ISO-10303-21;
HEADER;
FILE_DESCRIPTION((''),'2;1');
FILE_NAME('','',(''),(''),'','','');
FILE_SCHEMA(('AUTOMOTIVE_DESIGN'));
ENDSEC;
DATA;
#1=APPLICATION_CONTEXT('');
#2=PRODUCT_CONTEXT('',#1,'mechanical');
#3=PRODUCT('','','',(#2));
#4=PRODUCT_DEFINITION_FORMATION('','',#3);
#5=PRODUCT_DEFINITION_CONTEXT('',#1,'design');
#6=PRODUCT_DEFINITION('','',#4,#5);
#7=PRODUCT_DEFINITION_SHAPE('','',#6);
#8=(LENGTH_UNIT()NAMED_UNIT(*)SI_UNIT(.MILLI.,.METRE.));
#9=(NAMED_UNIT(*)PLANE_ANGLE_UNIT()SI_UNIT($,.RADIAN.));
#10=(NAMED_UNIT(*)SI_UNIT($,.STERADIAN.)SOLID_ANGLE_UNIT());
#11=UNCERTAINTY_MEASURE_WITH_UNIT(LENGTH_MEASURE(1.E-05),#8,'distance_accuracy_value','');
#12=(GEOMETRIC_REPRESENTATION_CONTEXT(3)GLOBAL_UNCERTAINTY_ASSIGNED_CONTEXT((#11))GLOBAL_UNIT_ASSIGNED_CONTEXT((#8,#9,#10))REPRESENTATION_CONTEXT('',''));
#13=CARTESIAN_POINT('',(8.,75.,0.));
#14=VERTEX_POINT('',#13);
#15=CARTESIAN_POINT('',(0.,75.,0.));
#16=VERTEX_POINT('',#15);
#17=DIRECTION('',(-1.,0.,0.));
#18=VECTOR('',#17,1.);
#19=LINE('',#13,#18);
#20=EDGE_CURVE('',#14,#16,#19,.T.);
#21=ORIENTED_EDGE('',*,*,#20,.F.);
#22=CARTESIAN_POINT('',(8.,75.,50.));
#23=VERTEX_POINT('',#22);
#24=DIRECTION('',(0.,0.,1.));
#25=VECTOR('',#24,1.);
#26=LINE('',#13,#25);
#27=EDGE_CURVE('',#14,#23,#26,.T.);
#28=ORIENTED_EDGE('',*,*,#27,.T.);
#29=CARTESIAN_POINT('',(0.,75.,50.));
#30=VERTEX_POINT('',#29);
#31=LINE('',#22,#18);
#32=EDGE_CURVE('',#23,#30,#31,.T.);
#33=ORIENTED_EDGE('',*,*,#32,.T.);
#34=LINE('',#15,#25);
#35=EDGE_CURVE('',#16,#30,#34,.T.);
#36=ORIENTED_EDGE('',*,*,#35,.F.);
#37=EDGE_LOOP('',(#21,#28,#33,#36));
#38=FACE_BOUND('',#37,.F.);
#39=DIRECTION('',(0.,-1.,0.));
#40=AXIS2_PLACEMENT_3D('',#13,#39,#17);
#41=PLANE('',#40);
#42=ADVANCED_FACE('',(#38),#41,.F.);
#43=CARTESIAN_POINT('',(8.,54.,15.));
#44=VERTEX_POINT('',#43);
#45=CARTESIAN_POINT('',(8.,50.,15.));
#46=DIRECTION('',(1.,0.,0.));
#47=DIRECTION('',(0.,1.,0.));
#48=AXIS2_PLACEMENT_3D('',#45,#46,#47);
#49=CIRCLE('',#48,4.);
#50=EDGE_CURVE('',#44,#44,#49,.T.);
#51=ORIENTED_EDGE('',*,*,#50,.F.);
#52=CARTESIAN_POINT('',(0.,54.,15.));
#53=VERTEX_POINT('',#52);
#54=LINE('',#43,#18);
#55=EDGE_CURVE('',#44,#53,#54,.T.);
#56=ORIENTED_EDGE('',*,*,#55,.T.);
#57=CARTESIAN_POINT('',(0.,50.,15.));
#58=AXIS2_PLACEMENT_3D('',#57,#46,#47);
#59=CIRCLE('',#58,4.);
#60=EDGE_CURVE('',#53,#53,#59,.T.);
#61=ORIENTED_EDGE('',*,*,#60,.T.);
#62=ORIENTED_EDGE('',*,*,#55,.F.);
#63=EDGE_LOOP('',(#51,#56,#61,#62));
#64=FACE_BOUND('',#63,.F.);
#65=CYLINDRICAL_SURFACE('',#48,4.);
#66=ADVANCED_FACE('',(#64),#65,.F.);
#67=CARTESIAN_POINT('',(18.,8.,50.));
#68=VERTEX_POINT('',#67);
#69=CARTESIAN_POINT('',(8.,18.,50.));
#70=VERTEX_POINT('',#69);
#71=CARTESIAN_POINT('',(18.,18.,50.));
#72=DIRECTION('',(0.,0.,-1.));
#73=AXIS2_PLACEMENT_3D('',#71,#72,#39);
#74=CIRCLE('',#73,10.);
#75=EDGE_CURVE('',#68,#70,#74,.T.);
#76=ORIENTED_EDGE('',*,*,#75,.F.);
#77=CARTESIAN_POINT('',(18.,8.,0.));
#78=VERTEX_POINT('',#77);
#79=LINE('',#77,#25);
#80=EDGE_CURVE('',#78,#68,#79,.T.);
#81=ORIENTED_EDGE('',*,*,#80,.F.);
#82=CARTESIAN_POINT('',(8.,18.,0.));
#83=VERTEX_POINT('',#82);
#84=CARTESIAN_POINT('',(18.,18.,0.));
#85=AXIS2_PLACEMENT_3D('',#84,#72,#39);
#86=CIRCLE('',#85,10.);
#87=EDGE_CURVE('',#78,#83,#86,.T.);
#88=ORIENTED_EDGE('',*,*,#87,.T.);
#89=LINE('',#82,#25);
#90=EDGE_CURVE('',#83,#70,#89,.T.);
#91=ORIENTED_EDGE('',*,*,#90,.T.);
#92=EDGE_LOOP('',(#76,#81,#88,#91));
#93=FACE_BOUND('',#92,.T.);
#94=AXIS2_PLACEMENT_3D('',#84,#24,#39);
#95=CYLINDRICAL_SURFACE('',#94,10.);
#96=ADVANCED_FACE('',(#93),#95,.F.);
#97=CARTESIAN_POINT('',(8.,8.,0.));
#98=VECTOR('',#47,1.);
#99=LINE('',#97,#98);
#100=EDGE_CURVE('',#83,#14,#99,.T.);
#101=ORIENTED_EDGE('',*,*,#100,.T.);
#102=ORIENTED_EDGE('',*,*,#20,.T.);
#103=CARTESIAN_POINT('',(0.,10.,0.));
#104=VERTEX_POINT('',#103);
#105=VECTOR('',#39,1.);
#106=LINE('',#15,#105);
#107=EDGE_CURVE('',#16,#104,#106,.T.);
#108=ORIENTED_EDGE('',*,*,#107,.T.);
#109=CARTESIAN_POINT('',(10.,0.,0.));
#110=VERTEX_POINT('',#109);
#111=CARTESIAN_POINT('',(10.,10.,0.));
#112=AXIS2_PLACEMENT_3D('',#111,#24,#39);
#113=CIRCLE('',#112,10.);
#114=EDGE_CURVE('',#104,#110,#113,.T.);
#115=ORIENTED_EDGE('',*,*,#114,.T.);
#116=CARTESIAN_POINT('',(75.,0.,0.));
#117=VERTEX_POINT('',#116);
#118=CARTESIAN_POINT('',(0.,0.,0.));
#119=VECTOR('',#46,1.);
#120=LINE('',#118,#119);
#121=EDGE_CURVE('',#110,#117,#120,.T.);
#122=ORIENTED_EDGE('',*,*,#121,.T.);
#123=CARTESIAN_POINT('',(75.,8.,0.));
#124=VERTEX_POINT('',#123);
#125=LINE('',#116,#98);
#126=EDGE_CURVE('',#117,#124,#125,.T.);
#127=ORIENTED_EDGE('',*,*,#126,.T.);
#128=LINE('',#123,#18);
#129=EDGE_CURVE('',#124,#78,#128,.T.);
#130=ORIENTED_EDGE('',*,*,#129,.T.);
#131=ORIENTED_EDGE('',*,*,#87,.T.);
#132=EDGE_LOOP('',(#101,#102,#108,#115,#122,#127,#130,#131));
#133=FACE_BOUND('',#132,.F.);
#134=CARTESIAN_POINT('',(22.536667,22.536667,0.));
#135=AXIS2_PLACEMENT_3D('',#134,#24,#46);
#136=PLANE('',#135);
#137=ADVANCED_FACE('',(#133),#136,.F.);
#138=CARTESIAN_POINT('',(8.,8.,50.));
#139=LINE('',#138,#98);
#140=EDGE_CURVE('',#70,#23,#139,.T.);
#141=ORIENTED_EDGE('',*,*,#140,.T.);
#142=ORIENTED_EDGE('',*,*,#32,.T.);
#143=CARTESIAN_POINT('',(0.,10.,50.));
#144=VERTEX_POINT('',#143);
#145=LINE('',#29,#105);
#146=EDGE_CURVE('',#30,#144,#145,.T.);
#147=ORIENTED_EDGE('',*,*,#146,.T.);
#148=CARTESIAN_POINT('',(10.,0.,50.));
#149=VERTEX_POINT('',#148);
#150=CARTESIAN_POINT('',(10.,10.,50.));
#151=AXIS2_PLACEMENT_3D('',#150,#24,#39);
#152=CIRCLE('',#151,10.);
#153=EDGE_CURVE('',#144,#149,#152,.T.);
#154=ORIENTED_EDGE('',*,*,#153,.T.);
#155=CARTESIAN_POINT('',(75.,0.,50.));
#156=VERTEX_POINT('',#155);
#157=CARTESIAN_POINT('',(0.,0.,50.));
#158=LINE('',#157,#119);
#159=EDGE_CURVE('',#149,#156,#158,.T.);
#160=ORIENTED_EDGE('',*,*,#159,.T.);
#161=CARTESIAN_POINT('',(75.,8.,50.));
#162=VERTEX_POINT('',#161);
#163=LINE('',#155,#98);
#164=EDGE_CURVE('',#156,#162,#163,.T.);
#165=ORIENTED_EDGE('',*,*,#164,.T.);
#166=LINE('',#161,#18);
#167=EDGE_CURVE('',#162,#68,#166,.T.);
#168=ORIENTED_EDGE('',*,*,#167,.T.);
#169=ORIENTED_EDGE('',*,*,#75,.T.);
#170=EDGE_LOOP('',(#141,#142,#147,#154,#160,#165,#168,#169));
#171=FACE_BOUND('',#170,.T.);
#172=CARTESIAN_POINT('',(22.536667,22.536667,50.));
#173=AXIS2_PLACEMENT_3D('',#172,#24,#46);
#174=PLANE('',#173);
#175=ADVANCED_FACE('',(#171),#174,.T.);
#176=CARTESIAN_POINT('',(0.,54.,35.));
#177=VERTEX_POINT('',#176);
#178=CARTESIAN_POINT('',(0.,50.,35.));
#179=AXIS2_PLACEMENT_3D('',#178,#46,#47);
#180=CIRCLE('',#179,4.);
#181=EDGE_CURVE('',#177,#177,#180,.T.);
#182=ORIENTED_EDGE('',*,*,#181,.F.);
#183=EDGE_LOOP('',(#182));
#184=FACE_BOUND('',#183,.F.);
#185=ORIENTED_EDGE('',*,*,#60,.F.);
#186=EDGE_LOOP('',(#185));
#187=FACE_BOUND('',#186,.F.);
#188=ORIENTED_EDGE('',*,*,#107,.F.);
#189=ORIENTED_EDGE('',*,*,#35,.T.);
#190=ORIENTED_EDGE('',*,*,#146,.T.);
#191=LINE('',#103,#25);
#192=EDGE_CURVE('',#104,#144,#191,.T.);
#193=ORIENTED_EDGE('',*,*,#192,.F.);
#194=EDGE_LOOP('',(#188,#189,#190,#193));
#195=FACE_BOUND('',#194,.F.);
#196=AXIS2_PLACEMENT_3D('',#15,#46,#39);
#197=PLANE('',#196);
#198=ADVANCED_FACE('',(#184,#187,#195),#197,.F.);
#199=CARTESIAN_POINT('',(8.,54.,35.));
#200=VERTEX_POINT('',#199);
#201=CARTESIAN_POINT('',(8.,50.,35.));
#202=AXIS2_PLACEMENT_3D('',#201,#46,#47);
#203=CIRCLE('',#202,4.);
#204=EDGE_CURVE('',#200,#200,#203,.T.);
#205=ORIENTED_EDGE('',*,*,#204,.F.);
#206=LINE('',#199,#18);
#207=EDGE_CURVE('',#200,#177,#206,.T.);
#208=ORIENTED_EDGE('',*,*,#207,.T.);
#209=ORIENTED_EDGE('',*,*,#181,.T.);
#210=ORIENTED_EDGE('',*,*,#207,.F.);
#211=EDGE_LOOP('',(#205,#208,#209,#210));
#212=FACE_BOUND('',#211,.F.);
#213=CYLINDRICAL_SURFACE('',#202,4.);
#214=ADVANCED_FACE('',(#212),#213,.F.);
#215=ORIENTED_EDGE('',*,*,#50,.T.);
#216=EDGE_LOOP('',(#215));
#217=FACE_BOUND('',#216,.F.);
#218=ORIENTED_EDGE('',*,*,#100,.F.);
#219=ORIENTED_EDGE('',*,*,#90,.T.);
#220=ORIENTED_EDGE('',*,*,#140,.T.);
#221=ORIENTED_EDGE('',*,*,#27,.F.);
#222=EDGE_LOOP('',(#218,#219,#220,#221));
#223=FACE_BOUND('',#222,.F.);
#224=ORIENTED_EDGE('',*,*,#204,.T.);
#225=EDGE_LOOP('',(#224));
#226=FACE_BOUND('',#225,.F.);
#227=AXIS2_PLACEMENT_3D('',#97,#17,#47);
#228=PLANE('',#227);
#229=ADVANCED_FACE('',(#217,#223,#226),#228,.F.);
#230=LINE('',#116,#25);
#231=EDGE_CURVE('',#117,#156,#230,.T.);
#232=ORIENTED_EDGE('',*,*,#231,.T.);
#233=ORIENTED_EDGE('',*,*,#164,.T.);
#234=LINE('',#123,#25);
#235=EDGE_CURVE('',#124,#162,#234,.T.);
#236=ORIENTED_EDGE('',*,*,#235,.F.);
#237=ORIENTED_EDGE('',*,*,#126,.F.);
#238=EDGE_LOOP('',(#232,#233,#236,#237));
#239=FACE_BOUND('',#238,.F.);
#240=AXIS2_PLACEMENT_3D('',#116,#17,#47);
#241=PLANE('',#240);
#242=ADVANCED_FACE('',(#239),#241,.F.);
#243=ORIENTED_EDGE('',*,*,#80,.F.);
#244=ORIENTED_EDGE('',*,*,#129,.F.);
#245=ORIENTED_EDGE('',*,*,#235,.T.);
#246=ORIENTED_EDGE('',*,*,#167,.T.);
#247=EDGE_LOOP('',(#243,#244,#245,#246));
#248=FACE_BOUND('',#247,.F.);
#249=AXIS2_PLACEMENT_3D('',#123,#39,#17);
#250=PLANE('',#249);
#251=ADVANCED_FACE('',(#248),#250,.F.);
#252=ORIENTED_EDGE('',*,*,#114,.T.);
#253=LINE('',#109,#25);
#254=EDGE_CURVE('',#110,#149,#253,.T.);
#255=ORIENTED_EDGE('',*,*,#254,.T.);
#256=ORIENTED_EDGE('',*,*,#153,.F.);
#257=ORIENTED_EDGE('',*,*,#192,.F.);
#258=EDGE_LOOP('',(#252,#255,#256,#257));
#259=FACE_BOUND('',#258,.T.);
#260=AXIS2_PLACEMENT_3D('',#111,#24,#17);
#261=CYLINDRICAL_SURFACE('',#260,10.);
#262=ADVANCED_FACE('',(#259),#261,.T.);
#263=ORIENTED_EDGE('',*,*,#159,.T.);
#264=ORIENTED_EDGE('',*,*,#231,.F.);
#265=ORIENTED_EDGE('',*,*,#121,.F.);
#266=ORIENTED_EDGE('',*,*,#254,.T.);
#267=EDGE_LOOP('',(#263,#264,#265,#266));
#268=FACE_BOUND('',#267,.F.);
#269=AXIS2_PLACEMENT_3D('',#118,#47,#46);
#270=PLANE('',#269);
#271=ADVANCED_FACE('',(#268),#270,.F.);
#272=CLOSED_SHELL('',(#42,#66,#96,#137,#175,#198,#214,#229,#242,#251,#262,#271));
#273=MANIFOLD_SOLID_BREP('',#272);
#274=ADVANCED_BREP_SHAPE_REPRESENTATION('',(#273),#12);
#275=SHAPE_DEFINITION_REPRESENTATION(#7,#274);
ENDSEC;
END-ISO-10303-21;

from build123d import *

# Parameters (mm, degrees)
F1_DEPTH = 50
F2_R     = 10
F3_R     = 4
F4_DEPTH = 8.001


with BuildPart() as f1:
    # F0 (on Top) → F1 (new body)
    with BuildSketch(Plane.XY):
        Polygon((8, 75), (0, 75), (0, 0), (75, 0), (75, 8), (8, 8), align=None)
    extrude(amount=F1_DEPTH)

    # F2
    f2_edges = [f1.edges().sort_by_distance(p)[0] for p in [
        (8, 8, 25),
        (0, 0, 25),
    ]]
    fillet(f2_edges, radius=F2_R)

    # F3 (on face) → F4 (cut, through all)
    with BuildSketch(Plane.YZ.offset(8)):
        with Locations((50, 35)):
            Circle(F3_R)
        with Locations((50, 15)):
            Circle(F3_R)
    extrude(amount=-F4_DEPTH, mode=Mode.SUBTRACT)


solid = f1.part
